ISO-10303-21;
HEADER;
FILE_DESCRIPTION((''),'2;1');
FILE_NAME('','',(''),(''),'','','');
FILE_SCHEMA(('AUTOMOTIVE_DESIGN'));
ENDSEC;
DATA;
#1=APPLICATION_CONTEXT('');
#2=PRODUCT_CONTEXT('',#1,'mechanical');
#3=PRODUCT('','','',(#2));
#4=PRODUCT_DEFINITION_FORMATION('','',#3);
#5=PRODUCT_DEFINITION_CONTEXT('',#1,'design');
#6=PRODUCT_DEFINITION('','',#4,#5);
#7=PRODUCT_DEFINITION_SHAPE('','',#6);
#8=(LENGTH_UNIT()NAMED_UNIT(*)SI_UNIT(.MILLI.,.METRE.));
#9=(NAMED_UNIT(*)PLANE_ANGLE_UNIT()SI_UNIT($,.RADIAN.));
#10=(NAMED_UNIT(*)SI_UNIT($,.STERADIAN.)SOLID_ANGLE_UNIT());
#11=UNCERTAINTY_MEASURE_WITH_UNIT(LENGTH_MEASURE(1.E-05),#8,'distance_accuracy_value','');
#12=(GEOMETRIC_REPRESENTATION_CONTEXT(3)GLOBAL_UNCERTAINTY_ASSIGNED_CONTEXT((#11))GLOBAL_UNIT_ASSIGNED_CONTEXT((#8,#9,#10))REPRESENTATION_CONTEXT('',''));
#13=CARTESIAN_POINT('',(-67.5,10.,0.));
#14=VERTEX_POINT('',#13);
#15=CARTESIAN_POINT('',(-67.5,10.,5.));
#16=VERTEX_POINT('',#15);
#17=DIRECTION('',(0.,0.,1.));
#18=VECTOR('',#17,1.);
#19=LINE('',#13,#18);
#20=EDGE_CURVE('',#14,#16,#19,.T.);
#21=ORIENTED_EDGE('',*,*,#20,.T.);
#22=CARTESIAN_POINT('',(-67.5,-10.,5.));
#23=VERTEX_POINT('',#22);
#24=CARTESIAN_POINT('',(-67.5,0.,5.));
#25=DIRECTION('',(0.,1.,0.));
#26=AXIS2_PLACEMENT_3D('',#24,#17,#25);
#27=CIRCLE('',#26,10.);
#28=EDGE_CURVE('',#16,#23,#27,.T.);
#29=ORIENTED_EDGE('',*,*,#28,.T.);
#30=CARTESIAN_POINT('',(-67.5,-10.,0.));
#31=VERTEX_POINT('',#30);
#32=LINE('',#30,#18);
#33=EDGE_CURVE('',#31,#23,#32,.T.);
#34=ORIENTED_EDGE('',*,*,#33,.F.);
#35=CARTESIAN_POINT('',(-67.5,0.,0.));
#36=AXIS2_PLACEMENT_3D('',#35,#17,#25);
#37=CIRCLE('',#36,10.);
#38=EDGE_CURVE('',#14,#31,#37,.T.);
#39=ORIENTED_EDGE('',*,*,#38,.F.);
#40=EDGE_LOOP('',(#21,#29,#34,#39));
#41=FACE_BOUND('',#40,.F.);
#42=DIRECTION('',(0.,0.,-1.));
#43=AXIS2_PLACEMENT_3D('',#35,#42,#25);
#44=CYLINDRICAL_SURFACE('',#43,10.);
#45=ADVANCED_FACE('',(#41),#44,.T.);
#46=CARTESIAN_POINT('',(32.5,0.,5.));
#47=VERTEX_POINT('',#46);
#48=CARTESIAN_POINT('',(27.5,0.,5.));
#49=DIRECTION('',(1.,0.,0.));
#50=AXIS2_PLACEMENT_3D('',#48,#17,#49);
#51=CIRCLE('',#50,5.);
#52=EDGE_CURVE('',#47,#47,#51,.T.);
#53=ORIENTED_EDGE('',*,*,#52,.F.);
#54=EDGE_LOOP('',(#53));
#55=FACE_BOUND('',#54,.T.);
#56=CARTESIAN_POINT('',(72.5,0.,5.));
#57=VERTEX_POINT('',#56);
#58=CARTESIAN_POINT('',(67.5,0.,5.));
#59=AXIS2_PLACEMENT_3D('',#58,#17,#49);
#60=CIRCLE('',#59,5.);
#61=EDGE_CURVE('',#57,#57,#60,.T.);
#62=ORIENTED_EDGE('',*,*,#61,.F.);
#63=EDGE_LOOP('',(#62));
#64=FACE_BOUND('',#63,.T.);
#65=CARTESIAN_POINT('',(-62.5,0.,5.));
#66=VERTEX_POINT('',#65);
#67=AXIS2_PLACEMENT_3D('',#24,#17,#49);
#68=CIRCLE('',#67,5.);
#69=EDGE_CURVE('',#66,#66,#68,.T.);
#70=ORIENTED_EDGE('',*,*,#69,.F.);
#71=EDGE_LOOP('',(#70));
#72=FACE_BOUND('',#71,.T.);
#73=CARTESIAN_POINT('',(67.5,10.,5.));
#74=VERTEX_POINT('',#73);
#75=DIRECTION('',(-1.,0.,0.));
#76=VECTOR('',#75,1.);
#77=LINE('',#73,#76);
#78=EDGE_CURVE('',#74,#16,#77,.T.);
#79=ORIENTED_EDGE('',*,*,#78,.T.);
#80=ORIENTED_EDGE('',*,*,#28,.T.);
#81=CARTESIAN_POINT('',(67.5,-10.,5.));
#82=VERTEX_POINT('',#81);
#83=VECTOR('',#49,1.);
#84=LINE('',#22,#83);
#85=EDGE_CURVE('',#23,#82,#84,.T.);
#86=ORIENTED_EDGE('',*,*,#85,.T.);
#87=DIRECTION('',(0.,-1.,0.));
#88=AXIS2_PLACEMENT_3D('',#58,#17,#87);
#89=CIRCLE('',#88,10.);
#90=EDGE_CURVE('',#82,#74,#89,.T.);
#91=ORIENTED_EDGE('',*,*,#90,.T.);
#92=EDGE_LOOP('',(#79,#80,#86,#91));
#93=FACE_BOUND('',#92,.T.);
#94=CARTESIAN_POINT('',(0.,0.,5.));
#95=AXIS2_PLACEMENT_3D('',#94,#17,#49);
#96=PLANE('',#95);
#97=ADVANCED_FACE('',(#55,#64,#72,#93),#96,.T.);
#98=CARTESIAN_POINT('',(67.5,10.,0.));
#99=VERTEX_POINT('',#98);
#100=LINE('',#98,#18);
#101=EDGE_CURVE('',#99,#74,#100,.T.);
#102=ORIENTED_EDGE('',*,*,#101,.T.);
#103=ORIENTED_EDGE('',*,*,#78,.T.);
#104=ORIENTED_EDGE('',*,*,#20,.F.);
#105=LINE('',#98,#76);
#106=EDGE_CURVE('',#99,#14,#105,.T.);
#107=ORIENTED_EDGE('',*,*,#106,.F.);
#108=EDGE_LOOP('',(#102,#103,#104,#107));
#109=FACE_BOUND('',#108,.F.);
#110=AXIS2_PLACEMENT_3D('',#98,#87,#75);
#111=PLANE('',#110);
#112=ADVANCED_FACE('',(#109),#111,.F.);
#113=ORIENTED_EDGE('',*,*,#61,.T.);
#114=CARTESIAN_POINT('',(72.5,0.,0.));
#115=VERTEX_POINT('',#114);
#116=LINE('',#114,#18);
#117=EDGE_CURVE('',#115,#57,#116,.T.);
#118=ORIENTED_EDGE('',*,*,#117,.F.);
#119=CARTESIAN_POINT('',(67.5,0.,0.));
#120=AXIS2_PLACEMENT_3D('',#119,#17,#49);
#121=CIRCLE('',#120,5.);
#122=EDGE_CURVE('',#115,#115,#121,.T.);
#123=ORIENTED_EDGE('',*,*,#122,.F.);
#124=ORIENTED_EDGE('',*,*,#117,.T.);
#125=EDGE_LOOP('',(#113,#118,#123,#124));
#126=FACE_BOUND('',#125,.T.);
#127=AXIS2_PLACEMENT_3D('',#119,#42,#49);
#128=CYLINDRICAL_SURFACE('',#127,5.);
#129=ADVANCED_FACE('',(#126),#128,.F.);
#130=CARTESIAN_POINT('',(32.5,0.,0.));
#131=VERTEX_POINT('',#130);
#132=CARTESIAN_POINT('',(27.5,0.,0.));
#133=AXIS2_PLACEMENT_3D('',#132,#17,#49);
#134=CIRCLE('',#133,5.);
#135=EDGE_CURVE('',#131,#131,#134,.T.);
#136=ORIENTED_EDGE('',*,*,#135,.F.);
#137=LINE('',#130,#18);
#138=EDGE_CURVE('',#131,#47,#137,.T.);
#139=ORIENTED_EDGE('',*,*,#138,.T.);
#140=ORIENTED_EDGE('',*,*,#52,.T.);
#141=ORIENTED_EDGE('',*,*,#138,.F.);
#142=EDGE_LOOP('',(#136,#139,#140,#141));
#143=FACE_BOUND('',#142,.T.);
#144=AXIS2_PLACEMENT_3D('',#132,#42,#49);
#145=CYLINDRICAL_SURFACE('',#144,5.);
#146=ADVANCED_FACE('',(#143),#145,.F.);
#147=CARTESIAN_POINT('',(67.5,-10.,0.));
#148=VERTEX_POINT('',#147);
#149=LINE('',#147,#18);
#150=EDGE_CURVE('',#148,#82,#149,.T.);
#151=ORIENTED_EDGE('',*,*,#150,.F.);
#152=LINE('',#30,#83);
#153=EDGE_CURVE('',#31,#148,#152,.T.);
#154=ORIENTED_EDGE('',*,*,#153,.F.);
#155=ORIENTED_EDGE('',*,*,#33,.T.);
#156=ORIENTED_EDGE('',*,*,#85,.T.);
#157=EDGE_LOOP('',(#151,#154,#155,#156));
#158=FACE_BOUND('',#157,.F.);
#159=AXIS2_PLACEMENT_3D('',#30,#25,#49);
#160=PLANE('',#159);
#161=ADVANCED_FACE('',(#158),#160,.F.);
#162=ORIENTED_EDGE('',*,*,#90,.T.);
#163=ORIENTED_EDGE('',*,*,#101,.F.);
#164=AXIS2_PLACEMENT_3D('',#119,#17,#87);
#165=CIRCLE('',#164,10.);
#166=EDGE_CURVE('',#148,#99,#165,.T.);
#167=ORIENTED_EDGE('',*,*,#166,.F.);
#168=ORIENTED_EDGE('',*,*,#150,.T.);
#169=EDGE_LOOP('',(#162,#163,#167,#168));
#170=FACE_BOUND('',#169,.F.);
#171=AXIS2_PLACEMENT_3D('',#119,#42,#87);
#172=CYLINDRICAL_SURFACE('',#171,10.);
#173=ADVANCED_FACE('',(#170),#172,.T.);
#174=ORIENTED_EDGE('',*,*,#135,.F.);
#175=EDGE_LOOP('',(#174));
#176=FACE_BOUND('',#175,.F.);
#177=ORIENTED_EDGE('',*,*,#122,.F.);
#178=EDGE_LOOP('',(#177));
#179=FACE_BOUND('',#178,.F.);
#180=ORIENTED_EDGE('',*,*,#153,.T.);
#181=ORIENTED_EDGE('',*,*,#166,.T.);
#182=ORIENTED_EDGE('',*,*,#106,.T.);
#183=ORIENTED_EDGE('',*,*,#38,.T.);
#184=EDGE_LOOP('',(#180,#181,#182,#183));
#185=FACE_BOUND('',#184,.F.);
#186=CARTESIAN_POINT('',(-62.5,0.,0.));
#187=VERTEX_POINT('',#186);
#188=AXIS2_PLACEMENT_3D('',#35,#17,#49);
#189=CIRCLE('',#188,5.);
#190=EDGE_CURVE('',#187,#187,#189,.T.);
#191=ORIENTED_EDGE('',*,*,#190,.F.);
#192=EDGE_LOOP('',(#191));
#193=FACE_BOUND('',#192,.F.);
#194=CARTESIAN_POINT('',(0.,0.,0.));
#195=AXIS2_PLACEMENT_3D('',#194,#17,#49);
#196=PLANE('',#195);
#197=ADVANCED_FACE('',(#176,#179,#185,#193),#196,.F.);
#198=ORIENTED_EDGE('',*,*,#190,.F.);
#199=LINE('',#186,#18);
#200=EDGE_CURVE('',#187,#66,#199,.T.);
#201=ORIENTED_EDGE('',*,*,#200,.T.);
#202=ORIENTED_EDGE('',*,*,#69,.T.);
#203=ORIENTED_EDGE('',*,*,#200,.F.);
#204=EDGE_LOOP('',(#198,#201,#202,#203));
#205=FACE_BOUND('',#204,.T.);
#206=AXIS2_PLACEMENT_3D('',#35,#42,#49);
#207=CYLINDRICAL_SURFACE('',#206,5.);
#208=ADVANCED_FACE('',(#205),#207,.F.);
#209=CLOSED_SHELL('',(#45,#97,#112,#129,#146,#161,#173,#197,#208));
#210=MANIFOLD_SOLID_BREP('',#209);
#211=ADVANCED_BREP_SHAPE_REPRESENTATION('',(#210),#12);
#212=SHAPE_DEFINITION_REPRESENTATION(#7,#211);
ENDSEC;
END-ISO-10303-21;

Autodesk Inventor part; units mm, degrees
ref_plane "YZ Plane" through (0, 0, 0) normal (1, 0, 0) x (0, 1, 0)
ref_plane "XZ Plane" through (0, 0, 0) normal (0, 1, 0) x (-1, 0, 0)
ref_plane "XY Plane" through (0, 0, 0) normal (0, 0, 1) x (1, 0, 0)
sketch "스케치1" plane through (0, 0, 0) normal (0, 0, 1) x (1, 0, 0)
  line L0 (-67.5, 0) -> (67.5, 0) construction
  line L1 (-67.5, -10) -> (67.5, -10)
  line L2 (67.5, 10) -> (-67.5, 10)
  arc A0 (-67.5, 10) -> (-67.5, -10) centre (-67.5, 0) ccw
  arc A1 (67.5, -10) -> (67.5, 10) centre (67.5, 0) ccw
  circle A2 centre (-67.5, 0) radius 5
  circle A3 centre (67.5, 0) radius 5
  circle A4 centre (27.5, 0) radius 5
  point P0 (0, 0)
  dimension "d1" = 20
  dimension "d2" = 10
  dimension "d3" = 10
  dimension "d7" = 10
  dimension "d8" = 40
  dimension "d9" = 95
extrude "돌출1" add sketch "스케치1" along normal blind 5
properties part number "link_l1"
